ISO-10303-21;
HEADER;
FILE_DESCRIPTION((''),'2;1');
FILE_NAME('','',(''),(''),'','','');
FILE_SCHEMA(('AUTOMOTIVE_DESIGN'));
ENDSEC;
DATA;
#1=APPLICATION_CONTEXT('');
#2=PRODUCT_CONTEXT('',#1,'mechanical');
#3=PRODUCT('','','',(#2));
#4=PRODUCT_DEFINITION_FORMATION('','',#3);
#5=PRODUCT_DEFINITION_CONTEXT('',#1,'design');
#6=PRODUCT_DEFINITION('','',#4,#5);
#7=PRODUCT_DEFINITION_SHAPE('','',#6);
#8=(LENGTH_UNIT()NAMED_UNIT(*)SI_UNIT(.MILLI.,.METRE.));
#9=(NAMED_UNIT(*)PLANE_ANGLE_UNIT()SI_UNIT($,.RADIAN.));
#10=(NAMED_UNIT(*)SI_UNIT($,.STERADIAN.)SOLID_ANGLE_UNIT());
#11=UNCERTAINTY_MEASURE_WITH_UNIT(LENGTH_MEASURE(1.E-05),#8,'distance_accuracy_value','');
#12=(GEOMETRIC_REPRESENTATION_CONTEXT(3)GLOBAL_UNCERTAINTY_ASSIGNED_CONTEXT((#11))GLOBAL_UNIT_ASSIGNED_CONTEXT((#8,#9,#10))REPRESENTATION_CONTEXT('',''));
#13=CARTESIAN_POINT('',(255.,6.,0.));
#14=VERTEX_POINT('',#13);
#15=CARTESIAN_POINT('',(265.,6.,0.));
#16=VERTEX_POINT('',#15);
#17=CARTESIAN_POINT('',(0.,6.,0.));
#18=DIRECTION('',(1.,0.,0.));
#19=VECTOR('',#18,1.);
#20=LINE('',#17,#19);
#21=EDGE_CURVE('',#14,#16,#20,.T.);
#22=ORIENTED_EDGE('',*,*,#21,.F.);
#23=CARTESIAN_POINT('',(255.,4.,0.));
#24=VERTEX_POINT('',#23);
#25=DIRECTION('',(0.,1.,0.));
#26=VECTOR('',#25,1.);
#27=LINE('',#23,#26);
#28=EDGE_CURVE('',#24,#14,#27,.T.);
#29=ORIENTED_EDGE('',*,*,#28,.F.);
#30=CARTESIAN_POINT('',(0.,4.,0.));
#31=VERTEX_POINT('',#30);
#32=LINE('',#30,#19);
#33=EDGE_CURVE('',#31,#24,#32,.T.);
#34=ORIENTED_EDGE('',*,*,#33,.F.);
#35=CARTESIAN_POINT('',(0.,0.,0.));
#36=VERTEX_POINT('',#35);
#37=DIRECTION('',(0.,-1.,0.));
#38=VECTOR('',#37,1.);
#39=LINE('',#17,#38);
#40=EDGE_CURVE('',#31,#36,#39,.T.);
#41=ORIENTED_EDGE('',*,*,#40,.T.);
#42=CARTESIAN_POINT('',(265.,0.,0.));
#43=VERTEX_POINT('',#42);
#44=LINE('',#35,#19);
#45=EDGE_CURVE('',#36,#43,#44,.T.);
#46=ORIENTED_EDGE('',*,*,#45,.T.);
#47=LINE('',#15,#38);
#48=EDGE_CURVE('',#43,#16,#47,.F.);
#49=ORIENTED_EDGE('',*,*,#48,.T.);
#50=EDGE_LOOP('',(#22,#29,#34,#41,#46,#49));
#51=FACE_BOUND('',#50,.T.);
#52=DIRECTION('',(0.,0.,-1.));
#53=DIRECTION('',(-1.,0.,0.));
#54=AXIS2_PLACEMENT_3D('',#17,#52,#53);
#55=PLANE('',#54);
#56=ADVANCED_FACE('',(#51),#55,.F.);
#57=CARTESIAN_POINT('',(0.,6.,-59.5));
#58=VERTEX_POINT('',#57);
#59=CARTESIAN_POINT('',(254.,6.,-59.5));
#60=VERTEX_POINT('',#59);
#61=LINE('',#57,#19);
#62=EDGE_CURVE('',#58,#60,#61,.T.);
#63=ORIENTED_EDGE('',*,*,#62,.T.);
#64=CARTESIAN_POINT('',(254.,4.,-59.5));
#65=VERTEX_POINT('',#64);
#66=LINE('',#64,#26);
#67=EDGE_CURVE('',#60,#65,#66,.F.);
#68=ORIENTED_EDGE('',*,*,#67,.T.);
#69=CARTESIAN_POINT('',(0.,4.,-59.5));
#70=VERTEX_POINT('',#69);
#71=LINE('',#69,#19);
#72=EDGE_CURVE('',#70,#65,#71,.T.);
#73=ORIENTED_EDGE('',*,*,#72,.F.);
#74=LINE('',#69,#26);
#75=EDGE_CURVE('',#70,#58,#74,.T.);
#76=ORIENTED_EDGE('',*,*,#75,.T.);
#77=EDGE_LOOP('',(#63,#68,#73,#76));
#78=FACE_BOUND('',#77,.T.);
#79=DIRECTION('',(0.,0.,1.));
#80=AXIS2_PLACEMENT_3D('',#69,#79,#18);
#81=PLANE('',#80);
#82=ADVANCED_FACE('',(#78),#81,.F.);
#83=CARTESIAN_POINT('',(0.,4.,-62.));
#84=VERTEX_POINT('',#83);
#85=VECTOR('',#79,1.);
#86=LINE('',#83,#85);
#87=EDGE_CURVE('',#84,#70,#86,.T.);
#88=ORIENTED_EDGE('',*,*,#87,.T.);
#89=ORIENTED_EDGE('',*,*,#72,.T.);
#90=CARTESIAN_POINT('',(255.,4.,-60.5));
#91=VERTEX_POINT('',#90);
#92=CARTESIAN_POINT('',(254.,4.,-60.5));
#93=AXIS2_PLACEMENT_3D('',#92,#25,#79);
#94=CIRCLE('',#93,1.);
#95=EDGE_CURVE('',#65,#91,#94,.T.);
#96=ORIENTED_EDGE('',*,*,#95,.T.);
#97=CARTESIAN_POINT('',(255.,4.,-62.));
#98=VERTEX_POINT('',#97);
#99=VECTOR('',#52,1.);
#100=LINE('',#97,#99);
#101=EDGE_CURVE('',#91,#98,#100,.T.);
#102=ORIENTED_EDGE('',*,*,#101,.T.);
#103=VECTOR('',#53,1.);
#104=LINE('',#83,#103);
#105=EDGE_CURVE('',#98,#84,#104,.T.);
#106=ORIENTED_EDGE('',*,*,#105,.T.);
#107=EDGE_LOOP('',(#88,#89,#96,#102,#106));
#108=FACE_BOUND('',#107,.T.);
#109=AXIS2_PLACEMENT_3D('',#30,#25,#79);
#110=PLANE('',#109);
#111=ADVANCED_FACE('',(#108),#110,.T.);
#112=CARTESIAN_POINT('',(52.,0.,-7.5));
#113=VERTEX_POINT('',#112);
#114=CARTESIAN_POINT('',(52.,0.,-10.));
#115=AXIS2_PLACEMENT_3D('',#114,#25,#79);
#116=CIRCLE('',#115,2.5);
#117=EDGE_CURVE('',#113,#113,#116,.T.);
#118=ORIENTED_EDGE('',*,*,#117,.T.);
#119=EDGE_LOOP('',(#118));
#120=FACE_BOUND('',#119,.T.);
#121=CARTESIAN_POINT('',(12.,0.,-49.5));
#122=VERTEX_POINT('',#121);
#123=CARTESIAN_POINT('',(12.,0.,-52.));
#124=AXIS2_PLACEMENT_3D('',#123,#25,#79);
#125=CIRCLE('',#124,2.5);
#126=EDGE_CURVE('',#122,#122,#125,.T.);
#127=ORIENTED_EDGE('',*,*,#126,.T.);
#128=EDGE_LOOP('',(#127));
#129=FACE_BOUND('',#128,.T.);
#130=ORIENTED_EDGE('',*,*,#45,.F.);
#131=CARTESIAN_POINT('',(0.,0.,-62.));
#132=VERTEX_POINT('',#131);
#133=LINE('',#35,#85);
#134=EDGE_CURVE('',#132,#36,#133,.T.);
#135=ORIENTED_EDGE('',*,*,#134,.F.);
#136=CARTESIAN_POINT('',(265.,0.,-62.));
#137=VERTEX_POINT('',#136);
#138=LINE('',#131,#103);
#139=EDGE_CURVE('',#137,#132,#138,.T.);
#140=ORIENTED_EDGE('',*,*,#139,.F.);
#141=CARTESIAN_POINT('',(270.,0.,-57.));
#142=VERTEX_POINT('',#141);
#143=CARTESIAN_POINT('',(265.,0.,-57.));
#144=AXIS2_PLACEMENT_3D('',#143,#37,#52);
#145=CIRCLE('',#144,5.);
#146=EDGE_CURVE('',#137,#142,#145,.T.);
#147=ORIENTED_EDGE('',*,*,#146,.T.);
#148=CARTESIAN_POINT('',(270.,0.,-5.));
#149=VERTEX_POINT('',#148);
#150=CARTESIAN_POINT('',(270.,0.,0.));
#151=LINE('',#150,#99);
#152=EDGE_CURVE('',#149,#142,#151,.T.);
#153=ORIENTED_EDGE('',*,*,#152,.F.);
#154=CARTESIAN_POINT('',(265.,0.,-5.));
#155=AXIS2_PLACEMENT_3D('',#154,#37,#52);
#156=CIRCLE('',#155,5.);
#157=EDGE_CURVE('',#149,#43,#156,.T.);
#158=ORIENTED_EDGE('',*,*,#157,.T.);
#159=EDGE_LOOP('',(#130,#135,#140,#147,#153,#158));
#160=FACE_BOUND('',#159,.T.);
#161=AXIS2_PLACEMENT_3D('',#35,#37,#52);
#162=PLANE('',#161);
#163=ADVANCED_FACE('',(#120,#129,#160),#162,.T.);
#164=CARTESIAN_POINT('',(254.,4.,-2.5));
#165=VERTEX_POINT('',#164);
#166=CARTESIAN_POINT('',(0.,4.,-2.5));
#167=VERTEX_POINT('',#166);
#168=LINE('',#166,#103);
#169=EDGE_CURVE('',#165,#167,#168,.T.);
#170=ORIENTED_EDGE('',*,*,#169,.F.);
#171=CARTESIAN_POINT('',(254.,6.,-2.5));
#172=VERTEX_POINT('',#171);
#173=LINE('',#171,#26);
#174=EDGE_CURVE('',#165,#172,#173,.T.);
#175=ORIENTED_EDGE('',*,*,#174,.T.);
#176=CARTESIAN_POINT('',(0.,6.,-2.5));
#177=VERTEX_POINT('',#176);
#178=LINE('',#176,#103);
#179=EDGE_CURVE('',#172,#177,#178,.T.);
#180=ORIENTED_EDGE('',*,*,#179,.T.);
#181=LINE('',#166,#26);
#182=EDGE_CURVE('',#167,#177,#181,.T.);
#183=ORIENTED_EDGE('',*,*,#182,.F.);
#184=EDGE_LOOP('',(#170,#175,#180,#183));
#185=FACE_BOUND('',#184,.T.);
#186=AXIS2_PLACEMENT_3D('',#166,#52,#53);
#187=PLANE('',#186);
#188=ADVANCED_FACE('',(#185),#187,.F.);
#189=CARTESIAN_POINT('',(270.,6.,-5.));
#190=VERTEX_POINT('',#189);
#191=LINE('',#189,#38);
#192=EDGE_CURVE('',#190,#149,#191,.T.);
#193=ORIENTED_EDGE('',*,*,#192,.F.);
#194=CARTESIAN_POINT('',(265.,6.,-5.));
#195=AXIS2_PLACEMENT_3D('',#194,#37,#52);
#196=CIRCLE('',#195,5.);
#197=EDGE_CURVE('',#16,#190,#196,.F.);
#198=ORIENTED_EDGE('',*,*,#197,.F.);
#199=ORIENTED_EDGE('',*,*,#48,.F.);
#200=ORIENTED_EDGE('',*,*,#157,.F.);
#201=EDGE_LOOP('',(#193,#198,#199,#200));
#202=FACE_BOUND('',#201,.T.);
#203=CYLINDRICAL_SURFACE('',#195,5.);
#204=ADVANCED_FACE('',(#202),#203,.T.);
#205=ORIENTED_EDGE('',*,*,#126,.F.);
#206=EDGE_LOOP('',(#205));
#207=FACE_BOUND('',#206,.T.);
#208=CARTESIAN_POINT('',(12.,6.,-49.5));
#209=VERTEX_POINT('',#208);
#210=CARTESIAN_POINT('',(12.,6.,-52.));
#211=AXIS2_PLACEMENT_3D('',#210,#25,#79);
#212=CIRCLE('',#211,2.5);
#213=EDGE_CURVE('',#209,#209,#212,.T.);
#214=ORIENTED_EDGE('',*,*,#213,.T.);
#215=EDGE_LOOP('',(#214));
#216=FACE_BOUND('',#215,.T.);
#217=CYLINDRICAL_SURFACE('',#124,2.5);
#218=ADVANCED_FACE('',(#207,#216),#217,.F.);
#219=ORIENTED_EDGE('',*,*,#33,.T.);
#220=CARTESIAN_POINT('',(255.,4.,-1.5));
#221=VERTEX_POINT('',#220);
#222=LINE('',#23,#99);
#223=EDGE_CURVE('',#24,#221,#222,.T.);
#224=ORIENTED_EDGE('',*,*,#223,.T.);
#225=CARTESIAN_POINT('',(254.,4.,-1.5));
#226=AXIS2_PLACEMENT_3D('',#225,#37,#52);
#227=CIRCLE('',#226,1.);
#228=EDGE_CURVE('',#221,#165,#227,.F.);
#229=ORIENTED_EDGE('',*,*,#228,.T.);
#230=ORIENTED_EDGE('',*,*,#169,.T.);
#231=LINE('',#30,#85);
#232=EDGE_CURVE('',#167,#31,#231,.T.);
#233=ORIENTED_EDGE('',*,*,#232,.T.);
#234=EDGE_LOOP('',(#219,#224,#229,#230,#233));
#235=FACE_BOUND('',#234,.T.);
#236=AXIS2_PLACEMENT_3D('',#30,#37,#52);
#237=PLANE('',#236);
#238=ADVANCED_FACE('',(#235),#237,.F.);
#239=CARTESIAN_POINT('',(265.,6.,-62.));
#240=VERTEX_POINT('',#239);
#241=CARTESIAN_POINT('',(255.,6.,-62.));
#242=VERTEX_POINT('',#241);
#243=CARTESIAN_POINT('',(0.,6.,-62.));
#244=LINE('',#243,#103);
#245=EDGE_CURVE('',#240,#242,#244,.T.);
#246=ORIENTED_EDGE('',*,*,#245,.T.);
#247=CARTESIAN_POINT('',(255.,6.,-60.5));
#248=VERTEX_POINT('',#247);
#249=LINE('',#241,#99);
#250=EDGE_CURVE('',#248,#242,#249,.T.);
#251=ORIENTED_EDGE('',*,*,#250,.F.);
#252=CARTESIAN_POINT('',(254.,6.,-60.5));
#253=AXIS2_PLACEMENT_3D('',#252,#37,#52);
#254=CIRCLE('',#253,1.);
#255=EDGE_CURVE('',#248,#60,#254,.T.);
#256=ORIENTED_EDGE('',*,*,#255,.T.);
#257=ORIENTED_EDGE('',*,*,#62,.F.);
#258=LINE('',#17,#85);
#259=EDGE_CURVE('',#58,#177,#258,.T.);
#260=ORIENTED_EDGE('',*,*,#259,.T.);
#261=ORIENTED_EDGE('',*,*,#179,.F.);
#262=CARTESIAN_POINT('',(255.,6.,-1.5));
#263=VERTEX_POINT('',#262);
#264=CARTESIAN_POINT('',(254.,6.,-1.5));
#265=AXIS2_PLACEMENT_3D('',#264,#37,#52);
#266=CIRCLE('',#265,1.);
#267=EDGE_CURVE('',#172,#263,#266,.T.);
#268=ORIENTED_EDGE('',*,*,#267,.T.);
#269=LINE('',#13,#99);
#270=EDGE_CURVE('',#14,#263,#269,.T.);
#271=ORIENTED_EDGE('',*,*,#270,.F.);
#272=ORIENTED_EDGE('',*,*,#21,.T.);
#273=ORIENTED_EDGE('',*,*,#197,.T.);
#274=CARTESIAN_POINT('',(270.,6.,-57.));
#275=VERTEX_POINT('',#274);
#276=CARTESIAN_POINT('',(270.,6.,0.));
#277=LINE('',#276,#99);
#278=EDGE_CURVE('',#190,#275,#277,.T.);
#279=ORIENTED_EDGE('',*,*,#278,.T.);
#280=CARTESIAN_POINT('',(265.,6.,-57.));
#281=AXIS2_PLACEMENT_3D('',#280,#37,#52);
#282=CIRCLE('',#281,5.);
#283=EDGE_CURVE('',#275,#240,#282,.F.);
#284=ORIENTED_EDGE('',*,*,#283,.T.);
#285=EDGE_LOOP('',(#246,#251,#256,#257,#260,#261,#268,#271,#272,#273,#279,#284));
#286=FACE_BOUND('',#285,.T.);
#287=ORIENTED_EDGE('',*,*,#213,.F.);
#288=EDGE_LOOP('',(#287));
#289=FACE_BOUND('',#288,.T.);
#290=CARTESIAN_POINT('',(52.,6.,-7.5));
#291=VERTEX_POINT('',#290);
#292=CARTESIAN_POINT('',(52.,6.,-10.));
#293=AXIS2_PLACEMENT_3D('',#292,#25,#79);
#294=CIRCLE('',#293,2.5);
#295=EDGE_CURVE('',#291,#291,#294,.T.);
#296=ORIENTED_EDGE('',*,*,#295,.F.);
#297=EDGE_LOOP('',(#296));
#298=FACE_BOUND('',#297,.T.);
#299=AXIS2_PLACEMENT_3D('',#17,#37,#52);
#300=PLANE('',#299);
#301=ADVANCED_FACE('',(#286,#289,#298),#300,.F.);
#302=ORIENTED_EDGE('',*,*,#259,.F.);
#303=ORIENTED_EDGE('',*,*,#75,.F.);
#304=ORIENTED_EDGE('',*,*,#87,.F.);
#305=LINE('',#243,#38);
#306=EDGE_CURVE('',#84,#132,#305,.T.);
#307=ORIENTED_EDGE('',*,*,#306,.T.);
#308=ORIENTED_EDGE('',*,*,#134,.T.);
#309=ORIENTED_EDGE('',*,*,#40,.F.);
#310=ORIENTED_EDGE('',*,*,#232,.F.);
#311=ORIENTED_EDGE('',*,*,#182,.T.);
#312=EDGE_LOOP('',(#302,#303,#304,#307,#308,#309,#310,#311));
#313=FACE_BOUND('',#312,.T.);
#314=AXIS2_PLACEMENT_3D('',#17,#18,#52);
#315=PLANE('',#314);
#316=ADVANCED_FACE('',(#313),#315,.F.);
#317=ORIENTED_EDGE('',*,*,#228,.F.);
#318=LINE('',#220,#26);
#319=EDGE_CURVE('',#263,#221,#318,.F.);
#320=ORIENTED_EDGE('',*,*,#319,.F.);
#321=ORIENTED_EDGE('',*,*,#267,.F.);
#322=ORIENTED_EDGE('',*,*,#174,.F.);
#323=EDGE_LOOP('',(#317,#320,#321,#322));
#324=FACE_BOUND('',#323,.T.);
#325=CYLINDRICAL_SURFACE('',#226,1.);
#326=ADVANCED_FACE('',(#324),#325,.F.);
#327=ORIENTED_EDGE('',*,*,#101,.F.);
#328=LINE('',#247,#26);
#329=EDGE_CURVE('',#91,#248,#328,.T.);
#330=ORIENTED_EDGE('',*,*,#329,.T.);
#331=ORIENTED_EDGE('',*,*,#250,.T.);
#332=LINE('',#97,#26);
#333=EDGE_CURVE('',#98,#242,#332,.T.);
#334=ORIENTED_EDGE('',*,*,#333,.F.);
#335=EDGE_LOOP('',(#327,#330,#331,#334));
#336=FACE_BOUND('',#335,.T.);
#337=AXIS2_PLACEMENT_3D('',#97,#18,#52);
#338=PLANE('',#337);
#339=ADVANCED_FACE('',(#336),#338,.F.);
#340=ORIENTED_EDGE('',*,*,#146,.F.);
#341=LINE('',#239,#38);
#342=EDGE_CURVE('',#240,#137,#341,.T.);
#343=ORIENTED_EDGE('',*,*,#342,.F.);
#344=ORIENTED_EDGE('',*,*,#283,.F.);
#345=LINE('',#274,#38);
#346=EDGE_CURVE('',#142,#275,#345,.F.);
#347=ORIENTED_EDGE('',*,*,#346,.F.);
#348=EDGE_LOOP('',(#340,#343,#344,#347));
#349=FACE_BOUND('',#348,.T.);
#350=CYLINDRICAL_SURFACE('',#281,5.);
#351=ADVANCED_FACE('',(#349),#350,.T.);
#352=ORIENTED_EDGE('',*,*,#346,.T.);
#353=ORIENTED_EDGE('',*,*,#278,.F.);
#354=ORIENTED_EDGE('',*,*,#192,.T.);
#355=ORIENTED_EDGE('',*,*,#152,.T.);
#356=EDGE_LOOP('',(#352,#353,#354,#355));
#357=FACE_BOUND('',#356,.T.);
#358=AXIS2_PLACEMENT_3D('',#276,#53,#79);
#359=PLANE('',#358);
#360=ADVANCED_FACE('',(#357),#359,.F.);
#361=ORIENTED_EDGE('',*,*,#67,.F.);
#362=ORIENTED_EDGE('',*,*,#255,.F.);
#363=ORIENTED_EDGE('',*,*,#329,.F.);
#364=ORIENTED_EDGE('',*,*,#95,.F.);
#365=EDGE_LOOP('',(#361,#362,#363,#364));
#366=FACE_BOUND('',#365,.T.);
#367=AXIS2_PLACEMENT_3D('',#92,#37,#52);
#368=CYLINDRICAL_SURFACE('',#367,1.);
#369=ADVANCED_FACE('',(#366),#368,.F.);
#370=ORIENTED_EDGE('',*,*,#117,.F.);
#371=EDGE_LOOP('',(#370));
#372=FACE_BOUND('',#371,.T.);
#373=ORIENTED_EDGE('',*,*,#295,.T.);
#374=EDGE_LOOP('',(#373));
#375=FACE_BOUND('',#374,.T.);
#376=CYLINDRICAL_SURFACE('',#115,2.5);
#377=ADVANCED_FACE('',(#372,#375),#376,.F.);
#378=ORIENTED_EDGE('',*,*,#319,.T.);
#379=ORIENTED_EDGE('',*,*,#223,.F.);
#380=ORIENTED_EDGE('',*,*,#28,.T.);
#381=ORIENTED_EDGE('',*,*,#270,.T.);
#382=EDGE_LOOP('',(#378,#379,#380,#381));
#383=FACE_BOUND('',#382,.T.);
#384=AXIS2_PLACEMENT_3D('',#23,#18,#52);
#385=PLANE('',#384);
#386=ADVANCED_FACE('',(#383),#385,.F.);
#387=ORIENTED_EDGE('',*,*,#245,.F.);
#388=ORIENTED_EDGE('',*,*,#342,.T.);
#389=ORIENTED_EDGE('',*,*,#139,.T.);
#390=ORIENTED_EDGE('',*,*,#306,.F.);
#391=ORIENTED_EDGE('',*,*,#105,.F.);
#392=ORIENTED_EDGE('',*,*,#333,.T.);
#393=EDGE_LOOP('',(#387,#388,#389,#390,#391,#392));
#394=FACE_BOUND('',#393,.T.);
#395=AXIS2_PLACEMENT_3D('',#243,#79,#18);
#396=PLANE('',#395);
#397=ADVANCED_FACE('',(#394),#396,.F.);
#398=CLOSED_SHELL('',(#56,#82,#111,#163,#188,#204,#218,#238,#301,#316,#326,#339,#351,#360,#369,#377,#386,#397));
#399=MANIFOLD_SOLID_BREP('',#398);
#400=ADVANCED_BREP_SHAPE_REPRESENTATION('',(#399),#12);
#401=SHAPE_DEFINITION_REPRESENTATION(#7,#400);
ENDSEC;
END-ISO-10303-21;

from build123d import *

# Parameters (mm, degrees)
SKETCH1_W           = 270
SKETCH1_H           = 62
BOSS_EXTRUDE1_DEPTH = 6
SKETCH2_W           = 255
SKETCH2_H           = 2.5
CUT_EXTRUDE1_DEPTH  = 2
FILLET1_R           = 1
SKETCH3_R           = 2.5
CUT_EXTRUDE2_DEPTH  = 7
FILLET2_R           = 5


with BuildPart() as part:
    # Sketch1 → Boss-Extrude1 (new body)
    with BuildSketch(Plane(origin=(0, 0, 0), x_dir=(1, 0, 0), z_dir=(0, 1, 0))):
        with Locations((135, 31)):
            Rectangle(SKETCH1_W, SKETCH1_H)
    extrude(amount=BOSS_EXTRUDE1_DEPTH)

    # Sketch2 → Cut-Extrude1 (cut)
    with BuildSketch(Plane(origin=(0, 6, 0), x_dir=(1, 0, 0), z_dir=(0, 1, 0))):
        with Locations((127.5, 60.75)):
            Rectangle(SKETCH2_W, SKETCH2_H)
        with Locations((127.5, 1.25)):
            Rectangle(SKETCH2_W, SKETCH2_H)
    extrude(amount=-CUT_EXTRUDE1_DEPTH, mode=Mode.SUBTRACT)

    # Fillet1
    fillet1_edges = [part.edges().sort_by_distance(p)[0] for p in [
        (255, 5, -59.5),
        (255, 5, -2.5),
    ]]
    fillet(fillet1_edges, radius=FILLET1_R)

    # Sketch3 → Cut-Extrude2 (cut, through all)
    with BuildSketch(Plane(origin=(0, 6, 0), x_dir=(1, 0, 0), z_dir=(0, 1, 0))):
        with Locations((12, 52)):
            Circle(SKETCH3_R)
        with Locations((52, 10)):
            Circle(SKETCH3_R)
    extrude(amount=-CUT_EXTRUDE2_DEPTH, mode=Mode.SUBTRACT)

    # Fillet2
    fillet2_edges = [part.edges().sort_by_distance(p)[0] for p in [
        (270, 3, -62),
        (270, 3, 0),
    ]]
    fillet(fillet2_edges, radius=FILLET2_R)


solid = part.part
